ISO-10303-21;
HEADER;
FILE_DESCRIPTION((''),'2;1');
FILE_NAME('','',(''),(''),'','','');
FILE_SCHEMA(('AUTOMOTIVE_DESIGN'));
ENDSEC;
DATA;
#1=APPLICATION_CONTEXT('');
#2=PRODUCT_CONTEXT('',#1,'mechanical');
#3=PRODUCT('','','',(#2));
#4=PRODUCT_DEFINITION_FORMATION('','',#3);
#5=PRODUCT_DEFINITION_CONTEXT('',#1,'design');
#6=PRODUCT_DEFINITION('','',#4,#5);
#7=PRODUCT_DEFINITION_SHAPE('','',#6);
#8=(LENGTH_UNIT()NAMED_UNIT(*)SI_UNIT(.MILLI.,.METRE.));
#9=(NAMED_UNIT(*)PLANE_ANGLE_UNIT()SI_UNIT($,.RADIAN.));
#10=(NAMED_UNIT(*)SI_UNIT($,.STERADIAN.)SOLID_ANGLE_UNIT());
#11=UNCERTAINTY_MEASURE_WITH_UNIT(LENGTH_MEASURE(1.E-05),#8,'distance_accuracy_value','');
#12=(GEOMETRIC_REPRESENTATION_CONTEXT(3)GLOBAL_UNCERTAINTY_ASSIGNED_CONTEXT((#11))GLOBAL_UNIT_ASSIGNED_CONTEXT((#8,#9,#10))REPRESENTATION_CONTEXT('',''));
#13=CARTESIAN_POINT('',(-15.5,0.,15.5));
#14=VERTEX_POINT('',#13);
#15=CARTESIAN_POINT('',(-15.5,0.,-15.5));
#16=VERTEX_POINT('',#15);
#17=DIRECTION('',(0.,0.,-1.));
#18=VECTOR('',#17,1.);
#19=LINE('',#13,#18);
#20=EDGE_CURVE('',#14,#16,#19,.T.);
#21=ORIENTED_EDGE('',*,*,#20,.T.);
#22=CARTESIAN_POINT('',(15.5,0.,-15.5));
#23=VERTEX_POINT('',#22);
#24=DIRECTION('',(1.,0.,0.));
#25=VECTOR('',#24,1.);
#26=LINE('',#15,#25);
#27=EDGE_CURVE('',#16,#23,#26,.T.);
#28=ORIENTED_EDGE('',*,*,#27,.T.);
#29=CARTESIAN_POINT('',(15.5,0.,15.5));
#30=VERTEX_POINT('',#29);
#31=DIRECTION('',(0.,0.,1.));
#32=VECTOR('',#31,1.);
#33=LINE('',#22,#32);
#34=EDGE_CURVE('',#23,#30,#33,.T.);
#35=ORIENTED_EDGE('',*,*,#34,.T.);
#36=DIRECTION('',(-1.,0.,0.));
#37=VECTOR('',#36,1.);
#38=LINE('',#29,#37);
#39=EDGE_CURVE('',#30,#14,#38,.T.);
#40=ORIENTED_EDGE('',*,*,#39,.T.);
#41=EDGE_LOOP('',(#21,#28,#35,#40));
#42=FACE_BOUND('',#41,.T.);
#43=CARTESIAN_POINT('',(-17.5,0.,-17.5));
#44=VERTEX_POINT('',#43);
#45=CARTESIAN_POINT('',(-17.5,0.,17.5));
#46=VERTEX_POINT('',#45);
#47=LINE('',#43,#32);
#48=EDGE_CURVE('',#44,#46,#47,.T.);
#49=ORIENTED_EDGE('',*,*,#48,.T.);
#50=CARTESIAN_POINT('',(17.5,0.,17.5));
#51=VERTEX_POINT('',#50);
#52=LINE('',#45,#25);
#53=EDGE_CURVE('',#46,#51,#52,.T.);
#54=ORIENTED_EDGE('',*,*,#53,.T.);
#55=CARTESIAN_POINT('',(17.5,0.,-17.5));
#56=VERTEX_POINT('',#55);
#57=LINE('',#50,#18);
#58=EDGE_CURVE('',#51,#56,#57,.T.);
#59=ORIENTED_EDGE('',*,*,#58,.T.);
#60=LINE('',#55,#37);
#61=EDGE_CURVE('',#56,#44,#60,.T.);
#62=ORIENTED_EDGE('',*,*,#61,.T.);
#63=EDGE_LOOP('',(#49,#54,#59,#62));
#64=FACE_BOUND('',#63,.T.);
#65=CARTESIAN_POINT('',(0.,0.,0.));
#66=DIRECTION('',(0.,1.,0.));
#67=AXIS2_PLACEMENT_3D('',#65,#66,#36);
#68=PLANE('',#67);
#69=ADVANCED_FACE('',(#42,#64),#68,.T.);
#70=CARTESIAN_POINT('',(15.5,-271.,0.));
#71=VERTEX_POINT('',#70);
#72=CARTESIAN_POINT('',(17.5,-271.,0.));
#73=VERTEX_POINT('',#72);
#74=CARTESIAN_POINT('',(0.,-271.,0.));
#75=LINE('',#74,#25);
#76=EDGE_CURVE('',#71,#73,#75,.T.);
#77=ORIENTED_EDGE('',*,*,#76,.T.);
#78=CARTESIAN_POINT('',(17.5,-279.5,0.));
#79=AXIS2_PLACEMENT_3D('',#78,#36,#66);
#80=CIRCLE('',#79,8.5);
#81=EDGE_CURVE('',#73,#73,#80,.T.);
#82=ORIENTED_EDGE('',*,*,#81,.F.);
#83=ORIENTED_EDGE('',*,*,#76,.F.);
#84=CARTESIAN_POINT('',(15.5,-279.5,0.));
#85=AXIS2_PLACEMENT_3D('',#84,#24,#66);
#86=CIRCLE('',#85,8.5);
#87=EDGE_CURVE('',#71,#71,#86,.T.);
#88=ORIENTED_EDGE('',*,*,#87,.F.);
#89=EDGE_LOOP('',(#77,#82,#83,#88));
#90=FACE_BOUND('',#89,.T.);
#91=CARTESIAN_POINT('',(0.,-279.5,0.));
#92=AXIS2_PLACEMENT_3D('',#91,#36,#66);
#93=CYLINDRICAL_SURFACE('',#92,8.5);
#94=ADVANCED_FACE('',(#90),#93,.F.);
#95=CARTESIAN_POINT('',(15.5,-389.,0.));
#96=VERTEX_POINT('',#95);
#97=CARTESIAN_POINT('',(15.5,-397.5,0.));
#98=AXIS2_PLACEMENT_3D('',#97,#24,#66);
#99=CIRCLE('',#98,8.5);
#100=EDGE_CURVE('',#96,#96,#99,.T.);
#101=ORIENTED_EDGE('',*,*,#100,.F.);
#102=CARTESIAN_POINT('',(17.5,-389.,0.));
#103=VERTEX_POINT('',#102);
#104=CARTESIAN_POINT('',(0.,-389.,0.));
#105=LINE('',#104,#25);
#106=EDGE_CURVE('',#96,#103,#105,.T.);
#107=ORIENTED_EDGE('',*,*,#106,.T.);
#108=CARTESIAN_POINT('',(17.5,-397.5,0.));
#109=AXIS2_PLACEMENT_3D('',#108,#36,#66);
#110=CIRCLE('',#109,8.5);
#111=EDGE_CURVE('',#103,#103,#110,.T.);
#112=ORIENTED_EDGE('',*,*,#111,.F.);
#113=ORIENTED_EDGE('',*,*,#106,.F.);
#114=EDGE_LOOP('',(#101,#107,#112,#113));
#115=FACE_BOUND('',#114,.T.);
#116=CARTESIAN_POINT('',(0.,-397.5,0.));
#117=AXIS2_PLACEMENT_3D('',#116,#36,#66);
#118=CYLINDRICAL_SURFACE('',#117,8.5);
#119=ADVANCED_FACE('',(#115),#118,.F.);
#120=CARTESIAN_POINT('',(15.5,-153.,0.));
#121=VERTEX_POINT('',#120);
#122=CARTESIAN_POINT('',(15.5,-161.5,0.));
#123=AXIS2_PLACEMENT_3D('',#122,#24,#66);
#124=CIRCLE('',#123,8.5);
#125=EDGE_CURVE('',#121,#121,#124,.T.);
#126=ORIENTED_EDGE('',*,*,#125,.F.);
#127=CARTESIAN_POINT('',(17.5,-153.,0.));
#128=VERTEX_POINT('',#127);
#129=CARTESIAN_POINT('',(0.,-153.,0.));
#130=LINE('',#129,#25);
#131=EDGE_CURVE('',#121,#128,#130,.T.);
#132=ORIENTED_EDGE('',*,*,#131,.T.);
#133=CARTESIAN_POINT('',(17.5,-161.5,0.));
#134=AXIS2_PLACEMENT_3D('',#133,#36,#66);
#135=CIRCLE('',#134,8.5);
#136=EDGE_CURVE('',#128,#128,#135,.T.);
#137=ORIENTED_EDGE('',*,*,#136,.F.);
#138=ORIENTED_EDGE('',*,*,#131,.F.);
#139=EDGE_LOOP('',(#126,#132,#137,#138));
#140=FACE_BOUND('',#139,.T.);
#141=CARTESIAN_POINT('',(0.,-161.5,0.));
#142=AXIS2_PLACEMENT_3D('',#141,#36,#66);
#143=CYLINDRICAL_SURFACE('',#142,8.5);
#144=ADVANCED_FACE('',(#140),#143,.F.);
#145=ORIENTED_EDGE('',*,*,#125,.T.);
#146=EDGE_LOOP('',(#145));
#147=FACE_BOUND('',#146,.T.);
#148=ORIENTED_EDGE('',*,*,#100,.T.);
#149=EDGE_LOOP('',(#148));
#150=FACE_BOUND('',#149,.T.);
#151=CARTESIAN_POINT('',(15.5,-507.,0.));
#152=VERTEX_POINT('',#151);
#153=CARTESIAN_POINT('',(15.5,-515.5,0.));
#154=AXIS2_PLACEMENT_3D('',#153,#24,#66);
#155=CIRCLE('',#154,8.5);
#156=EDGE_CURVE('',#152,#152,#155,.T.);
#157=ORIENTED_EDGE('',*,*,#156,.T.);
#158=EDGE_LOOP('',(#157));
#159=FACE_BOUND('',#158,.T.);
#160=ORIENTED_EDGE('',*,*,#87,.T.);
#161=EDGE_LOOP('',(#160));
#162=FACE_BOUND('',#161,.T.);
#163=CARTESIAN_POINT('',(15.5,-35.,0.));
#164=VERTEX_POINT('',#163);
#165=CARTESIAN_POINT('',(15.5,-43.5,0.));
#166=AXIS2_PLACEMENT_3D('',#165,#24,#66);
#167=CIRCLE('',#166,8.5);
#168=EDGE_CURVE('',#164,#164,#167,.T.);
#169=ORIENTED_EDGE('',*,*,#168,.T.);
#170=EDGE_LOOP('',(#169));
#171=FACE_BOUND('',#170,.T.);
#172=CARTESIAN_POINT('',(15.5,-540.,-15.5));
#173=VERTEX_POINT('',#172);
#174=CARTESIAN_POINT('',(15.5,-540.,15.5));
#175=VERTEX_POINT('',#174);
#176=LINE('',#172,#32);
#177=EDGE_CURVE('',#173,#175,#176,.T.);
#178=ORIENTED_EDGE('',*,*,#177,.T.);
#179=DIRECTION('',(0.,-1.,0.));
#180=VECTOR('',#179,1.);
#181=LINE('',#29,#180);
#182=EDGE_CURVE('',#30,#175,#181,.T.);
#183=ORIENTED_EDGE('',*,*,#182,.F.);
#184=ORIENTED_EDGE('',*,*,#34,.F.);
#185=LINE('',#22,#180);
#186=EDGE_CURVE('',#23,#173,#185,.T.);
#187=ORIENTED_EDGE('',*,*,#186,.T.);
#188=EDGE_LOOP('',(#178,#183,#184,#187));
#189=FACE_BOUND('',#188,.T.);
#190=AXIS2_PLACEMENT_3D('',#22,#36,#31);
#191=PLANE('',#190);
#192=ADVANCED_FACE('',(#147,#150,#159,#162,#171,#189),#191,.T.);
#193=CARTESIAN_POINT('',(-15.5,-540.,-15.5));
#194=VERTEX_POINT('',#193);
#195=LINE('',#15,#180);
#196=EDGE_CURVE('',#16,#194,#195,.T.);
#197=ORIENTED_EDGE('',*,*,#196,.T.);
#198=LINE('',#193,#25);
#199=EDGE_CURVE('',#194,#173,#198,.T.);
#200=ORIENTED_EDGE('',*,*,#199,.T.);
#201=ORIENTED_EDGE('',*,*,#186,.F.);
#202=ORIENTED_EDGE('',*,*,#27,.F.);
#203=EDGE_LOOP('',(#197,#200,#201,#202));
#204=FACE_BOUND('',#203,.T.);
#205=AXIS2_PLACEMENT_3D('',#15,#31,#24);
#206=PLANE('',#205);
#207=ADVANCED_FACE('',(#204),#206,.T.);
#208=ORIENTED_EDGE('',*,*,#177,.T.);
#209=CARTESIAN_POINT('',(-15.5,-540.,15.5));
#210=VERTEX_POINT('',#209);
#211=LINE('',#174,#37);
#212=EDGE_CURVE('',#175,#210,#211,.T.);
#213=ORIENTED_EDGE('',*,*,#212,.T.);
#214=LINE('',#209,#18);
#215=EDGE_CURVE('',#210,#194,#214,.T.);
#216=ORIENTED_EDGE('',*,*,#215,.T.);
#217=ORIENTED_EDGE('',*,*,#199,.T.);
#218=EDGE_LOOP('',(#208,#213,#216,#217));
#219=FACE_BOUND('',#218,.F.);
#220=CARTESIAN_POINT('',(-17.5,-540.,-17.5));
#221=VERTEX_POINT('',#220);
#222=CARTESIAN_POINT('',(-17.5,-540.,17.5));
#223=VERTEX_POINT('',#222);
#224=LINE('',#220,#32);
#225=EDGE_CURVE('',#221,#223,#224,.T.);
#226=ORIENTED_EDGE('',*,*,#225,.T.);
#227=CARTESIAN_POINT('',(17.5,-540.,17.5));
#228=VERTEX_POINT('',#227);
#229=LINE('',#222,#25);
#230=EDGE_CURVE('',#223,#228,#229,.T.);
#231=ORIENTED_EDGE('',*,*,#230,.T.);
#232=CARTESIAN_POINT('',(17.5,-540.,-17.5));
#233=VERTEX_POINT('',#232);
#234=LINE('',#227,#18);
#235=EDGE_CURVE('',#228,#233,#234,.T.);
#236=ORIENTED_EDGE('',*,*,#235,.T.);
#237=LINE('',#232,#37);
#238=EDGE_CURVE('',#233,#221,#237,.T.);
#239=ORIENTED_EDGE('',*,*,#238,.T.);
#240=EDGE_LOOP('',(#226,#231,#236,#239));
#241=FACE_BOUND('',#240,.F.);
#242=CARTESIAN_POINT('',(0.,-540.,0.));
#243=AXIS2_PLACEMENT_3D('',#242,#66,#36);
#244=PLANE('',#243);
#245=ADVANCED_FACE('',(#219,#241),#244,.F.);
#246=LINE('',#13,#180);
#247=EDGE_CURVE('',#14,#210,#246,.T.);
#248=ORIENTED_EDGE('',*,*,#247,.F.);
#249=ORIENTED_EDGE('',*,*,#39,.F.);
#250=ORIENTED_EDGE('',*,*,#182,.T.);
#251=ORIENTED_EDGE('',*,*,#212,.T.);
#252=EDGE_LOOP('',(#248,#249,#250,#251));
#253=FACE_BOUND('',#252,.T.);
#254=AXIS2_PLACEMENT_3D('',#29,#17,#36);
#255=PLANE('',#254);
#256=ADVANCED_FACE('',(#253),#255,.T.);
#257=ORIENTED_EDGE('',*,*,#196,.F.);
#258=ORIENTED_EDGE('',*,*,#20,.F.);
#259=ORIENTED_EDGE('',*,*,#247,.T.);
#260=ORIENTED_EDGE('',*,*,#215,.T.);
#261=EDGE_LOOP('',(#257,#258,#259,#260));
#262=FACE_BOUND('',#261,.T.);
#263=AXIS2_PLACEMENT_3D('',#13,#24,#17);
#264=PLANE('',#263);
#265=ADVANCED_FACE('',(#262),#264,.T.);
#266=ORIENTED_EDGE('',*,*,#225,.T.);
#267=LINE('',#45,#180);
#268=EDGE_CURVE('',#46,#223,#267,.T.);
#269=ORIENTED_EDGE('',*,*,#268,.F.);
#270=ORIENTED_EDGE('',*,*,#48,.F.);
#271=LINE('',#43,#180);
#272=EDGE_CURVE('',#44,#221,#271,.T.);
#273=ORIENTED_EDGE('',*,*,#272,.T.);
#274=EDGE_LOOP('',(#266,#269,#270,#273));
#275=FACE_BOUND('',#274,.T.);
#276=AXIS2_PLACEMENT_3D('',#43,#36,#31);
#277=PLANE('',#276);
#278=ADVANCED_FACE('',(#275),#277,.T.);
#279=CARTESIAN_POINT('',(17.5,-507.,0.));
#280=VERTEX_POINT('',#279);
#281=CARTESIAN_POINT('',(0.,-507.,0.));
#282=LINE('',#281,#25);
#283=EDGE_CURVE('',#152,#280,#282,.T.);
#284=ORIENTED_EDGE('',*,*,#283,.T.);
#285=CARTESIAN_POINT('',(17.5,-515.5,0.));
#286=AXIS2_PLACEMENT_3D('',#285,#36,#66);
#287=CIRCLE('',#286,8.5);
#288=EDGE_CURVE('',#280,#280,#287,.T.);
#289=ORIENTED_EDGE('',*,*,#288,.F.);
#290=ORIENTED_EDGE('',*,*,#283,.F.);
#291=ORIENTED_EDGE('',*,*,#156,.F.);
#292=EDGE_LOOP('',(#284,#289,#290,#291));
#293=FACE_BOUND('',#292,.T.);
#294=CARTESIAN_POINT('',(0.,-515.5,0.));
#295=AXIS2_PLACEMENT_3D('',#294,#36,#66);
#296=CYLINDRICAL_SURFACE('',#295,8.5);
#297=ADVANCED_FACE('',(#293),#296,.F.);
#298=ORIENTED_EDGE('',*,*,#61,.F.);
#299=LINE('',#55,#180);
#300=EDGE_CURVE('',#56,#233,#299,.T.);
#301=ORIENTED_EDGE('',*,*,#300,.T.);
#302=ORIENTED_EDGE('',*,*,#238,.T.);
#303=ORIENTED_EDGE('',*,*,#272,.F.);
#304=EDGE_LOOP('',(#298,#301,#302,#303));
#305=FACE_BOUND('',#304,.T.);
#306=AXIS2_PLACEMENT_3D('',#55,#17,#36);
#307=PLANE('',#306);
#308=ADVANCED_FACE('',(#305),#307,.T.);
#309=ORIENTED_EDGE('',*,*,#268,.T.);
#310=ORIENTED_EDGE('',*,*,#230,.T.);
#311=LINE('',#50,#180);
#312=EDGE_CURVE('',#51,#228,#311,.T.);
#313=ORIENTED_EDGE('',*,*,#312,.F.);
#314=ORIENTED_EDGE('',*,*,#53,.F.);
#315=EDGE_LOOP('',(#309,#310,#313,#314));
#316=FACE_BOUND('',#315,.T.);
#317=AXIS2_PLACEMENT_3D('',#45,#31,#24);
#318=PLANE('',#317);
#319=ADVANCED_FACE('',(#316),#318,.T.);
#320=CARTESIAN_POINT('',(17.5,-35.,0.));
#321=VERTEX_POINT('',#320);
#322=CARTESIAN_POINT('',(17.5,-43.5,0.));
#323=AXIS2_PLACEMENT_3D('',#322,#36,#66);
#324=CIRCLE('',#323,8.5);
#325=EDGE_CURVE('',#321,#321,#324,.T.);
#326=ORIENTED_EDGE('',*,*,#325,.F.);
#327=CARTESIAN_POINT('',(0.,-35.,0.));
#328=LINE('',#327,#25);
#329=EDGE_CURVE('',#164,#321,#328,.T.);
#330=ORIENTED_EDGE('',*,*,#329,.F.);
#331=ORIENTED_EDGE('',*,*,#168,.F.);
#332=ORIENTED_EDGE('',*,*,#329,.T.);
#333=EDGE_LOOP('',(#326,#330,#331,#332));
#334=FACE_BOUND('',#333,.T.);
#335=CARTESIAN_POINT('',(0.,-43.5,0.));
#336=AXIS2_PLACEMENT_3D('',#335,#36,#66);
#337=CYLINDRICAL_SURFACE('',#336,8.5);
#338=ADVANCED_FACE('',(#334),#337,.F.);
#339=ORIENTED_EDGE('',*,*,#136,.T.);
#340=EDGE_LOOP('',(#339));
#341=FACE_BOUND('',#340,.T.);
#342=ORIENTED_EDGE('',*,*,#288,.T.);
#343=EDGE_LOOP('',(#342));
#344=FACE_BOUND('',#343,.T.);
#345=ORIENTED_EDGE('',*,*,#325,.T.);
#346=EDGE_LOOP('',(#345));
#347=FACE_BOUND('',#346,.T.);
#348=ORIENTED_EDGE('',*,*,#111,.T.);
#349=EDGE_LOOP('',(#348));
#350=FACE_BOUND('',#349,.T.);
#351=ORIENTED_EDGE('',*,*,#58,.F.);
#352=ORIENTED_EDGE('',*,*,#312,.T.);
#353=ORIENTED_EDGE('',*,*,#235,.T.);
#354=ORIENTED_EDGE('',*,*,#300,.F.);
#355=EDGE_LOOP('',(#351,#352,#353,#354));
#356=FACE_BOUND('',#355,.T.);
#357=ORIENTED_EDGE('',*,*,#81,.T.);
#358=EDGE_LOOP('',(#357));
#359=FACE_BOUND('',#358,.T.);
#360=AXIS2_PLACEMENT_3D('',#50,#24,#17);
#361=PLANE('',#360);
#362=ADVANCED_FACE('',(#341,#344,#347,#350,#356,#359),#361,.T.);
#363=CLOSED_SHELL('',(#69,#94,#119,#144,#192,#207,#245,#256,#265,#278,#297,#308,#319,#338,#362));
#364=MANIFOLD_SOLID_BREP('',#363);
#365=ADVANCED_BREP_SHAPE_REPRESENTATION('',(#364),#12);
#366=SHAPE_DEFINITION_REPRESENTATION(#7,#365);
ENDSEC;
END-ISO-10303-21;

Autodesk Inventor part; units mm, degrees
ref_plane "YZ Plane" through (0, 0, 0) normal (1, 0, 0) x (0, 1, 0)
ref_plane "XZ Plane" through (0, 0, 0) normal (0, 1, 0) x (-1, 0, 0)
ref_plane "XY Plane" through (0, 0, 0) normal (0, 0, 1) x (1, 0, 0)
sketch "Sketch9" plane through (0, 0, 0) normal (0, 1, 0) x (-1, 0, 0)
  line L0 (17.5, 17.5) -> (-17.5, 17.5)
  line L1 (-17.5, 17.5) -> (-17.5, -17.5)
  line L2 (-17.5, -17.5) -> (17.5, -17.5)
  line L3 (17.5, -17.5) -> (17.5, 17.5)
  line L4 (17.5, 17.5) -> (-17.5, -17.5) construction
  line L5 (-17.5, 17.5) -> (17.5, -17.5) construction
  line L6 (-15.5, 15.5) -> (15.5, 15.5)
  line L7 (15.5, 15.5) -> (15.5, -15.5)
  line L8 (15.5, -15.5) -> (-15.5, -15.5)
  line L9 (-15.5, -15.5) -> (-15.5, 15.5)
  point P0 (0, 0)
  dimension "d172" = 35
  dimension "d173" = 35
  dimension "d174" = 2
extrude "Extrusion3" add sketch "Sketch9" against normal blind 540
sketch "Sketch10" plane through (0, 0, 0) normal (1, 0, 0) x (0, 1, 0)
  line L0 (0, 17.5) -> (0, -17.5) construction
  line L1 (0, 17.5) -> (-540, 17.5) construction
  line L2 (-540, -17.5) -> (-540, 17.5) construction
  line L3 (0, -17.5) -> (-540, -17.5) construction
  line L4 (-524, 8.5) -> (-507, 8.5)
  line L5 (-507, 8.5) -> (-507, -8.5)
  line L6 (-507, -8.5) -> (-524, -8.5)
  line L7 (-524, -8.5) -> (-524, 8.5)
  line L8 (-524, 8.5) -> (-507, -8.5) construction
  line L9 (-507, 8.5) -> (-524, -8.5) construction
  circle A0 centre (-515.5, 0) radius 8.5
  line L10 (0, 17.5) -> (0, -17.5) projected
  point P0 (0, 0)
  point P1 (0, 0)
  point P2 (-540, 0)
  dimension "d177" = 17
  dimension "d178" = 17
  dimension "d191" = 16
extrude "Extrusion4" cut sketch "Sketch10" along normal through all contours A0
pattern_linear "Rectangular Pattern4" count 5 spacing 118 along (0, 1, 0) of "Extrusion4"
properties part number "ANP 1434 FDS WAY tube4" material "Stainless Steel"
